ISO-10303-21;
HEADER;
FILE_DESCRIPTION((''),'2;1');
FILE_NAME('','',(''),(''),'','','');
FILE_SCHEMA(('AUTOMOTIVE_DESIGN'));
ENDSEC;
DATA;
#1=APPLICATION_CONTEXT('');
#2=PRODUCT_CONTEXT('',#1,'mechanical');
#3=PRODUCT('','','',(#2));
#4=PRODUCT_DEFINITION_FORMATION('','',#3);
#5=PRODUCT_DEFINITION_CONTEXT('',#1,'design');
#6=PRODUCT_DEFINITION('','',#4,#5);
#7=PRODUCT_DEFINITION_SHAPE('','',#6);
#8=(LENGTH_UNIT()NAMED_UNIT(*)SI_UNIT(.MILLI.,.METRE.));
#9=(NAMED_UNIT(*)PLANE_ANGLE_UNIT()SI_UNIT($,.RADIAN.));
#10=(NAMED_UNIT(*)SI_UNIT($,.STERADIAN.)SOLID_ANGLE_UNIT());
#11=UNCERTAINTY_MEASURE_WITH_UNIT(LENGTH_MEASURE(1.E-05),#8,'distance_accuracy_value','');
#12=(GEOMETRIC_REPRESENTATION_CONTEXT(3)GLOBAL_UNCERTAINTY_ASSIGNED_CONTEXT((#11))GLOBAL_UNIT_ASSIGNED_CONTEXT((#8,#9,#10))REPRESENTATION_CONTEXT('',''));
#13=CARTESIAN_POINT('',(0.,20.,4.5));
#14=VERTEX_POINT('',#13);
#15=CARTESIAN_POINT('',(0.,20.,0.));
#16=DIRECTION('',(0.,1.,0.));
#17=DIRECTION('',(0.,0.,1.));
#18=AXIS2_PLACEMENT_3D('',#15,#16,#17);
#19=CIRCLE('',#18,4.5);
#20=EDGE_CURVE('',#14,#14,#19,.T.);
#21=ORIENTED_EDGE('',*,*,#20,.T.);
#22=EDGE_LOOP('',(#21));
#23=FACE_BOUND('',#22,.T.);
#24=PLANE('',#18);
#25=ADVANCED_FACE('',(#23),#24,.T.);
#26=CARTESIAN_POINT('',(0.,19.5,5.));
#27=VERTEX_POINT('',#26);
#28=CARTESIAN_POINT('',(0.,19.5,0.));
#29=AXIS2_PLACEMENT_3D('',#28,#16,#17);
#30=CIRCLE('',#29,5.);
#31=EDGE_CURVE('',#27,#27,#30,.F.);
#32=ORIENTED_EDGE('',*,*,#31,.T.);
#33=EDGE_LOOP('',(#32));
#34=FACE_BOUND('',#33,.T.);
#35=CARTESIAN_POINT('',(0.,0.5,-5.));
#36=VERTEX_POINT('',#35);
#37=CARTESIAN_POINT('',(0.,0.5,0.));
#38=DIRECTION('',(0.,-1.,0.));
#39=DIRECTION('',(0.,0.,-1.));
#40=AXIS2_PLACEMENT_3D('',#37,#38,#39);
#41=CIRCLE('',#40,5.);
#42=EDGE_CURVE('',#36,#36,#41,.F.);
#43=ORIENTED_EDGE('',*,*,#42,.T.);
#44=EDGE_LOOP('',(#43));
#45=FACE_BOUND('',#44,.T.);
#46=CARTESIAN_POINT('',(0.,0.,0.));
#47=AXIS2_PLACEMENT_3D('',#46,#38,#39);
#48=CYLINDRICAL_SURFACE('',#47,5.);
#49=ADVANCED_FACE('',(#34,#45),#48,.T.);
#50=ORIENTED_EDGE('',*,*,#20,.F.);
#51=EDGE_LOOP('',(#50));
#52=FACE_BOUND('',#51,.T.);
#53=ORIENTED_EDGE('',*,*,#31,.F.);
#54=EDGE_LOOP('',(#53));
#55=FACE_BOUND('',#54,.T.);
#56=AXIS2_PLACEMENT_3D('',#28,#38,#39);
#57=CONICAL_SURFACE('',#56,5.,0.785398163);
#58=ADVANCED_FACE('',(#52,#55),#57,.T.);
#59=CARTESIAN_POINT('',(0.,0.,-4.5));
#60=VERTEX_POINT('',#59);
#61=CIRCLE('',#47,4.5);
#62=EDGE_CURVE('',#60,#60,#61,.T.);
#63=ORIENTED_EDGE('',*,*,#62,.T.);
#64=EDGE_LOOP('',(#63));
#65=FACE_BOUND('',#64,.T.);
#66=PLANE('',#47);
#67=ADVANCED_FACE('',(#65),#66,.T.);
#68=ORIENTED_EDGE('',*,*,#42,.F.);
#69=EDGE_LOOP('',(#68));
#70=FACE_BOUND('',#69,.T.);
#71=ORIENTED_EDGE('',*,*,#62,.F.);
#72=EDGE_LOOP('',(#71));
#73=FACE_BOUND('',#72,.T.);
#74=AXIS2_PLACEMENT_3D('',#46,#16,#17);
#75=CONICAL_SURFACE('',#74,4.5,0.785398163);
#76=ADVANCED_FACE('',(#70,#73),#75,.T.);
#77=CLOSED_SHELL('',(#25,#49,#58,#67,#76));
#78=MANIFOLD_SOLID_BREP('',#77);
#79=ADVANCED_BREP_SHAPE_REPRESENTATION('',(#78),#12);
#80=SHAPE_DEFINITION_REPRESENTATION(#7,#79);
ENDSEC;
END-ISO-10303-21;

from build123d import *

# Parameters (mm, degrees)
SKIZZE1_W  = 5
SKIZZE1_H  = 20
FASE1_SIZE = 0.5


with BuildPart() as part:
    # Skizze1 → Rotation1 (revolve)
    with BuildSketch(Plane.XY, mode=Mode.PRIVATE) as rotation1_sk:
        with Locations((2.5, 10)):
            Rectangle(SKIZZE1_W, SKIZZE1_H)
    revolve(rotation1_sk.sketch.rotate(Axis((0, 0, 0), (0, 1, 0)), 90), axis=Axis((0, 0, 0), (0, 1, 0)))

    # Fase1
    fase1_edges = [part.edges().sort_by_distance(p)[0] for p in [
        (0, 0, 5),
        (0, 20, 5),
    ]]
    chamfer(fase1_edges, length=FASE1_SIZE)


solid = part.part
